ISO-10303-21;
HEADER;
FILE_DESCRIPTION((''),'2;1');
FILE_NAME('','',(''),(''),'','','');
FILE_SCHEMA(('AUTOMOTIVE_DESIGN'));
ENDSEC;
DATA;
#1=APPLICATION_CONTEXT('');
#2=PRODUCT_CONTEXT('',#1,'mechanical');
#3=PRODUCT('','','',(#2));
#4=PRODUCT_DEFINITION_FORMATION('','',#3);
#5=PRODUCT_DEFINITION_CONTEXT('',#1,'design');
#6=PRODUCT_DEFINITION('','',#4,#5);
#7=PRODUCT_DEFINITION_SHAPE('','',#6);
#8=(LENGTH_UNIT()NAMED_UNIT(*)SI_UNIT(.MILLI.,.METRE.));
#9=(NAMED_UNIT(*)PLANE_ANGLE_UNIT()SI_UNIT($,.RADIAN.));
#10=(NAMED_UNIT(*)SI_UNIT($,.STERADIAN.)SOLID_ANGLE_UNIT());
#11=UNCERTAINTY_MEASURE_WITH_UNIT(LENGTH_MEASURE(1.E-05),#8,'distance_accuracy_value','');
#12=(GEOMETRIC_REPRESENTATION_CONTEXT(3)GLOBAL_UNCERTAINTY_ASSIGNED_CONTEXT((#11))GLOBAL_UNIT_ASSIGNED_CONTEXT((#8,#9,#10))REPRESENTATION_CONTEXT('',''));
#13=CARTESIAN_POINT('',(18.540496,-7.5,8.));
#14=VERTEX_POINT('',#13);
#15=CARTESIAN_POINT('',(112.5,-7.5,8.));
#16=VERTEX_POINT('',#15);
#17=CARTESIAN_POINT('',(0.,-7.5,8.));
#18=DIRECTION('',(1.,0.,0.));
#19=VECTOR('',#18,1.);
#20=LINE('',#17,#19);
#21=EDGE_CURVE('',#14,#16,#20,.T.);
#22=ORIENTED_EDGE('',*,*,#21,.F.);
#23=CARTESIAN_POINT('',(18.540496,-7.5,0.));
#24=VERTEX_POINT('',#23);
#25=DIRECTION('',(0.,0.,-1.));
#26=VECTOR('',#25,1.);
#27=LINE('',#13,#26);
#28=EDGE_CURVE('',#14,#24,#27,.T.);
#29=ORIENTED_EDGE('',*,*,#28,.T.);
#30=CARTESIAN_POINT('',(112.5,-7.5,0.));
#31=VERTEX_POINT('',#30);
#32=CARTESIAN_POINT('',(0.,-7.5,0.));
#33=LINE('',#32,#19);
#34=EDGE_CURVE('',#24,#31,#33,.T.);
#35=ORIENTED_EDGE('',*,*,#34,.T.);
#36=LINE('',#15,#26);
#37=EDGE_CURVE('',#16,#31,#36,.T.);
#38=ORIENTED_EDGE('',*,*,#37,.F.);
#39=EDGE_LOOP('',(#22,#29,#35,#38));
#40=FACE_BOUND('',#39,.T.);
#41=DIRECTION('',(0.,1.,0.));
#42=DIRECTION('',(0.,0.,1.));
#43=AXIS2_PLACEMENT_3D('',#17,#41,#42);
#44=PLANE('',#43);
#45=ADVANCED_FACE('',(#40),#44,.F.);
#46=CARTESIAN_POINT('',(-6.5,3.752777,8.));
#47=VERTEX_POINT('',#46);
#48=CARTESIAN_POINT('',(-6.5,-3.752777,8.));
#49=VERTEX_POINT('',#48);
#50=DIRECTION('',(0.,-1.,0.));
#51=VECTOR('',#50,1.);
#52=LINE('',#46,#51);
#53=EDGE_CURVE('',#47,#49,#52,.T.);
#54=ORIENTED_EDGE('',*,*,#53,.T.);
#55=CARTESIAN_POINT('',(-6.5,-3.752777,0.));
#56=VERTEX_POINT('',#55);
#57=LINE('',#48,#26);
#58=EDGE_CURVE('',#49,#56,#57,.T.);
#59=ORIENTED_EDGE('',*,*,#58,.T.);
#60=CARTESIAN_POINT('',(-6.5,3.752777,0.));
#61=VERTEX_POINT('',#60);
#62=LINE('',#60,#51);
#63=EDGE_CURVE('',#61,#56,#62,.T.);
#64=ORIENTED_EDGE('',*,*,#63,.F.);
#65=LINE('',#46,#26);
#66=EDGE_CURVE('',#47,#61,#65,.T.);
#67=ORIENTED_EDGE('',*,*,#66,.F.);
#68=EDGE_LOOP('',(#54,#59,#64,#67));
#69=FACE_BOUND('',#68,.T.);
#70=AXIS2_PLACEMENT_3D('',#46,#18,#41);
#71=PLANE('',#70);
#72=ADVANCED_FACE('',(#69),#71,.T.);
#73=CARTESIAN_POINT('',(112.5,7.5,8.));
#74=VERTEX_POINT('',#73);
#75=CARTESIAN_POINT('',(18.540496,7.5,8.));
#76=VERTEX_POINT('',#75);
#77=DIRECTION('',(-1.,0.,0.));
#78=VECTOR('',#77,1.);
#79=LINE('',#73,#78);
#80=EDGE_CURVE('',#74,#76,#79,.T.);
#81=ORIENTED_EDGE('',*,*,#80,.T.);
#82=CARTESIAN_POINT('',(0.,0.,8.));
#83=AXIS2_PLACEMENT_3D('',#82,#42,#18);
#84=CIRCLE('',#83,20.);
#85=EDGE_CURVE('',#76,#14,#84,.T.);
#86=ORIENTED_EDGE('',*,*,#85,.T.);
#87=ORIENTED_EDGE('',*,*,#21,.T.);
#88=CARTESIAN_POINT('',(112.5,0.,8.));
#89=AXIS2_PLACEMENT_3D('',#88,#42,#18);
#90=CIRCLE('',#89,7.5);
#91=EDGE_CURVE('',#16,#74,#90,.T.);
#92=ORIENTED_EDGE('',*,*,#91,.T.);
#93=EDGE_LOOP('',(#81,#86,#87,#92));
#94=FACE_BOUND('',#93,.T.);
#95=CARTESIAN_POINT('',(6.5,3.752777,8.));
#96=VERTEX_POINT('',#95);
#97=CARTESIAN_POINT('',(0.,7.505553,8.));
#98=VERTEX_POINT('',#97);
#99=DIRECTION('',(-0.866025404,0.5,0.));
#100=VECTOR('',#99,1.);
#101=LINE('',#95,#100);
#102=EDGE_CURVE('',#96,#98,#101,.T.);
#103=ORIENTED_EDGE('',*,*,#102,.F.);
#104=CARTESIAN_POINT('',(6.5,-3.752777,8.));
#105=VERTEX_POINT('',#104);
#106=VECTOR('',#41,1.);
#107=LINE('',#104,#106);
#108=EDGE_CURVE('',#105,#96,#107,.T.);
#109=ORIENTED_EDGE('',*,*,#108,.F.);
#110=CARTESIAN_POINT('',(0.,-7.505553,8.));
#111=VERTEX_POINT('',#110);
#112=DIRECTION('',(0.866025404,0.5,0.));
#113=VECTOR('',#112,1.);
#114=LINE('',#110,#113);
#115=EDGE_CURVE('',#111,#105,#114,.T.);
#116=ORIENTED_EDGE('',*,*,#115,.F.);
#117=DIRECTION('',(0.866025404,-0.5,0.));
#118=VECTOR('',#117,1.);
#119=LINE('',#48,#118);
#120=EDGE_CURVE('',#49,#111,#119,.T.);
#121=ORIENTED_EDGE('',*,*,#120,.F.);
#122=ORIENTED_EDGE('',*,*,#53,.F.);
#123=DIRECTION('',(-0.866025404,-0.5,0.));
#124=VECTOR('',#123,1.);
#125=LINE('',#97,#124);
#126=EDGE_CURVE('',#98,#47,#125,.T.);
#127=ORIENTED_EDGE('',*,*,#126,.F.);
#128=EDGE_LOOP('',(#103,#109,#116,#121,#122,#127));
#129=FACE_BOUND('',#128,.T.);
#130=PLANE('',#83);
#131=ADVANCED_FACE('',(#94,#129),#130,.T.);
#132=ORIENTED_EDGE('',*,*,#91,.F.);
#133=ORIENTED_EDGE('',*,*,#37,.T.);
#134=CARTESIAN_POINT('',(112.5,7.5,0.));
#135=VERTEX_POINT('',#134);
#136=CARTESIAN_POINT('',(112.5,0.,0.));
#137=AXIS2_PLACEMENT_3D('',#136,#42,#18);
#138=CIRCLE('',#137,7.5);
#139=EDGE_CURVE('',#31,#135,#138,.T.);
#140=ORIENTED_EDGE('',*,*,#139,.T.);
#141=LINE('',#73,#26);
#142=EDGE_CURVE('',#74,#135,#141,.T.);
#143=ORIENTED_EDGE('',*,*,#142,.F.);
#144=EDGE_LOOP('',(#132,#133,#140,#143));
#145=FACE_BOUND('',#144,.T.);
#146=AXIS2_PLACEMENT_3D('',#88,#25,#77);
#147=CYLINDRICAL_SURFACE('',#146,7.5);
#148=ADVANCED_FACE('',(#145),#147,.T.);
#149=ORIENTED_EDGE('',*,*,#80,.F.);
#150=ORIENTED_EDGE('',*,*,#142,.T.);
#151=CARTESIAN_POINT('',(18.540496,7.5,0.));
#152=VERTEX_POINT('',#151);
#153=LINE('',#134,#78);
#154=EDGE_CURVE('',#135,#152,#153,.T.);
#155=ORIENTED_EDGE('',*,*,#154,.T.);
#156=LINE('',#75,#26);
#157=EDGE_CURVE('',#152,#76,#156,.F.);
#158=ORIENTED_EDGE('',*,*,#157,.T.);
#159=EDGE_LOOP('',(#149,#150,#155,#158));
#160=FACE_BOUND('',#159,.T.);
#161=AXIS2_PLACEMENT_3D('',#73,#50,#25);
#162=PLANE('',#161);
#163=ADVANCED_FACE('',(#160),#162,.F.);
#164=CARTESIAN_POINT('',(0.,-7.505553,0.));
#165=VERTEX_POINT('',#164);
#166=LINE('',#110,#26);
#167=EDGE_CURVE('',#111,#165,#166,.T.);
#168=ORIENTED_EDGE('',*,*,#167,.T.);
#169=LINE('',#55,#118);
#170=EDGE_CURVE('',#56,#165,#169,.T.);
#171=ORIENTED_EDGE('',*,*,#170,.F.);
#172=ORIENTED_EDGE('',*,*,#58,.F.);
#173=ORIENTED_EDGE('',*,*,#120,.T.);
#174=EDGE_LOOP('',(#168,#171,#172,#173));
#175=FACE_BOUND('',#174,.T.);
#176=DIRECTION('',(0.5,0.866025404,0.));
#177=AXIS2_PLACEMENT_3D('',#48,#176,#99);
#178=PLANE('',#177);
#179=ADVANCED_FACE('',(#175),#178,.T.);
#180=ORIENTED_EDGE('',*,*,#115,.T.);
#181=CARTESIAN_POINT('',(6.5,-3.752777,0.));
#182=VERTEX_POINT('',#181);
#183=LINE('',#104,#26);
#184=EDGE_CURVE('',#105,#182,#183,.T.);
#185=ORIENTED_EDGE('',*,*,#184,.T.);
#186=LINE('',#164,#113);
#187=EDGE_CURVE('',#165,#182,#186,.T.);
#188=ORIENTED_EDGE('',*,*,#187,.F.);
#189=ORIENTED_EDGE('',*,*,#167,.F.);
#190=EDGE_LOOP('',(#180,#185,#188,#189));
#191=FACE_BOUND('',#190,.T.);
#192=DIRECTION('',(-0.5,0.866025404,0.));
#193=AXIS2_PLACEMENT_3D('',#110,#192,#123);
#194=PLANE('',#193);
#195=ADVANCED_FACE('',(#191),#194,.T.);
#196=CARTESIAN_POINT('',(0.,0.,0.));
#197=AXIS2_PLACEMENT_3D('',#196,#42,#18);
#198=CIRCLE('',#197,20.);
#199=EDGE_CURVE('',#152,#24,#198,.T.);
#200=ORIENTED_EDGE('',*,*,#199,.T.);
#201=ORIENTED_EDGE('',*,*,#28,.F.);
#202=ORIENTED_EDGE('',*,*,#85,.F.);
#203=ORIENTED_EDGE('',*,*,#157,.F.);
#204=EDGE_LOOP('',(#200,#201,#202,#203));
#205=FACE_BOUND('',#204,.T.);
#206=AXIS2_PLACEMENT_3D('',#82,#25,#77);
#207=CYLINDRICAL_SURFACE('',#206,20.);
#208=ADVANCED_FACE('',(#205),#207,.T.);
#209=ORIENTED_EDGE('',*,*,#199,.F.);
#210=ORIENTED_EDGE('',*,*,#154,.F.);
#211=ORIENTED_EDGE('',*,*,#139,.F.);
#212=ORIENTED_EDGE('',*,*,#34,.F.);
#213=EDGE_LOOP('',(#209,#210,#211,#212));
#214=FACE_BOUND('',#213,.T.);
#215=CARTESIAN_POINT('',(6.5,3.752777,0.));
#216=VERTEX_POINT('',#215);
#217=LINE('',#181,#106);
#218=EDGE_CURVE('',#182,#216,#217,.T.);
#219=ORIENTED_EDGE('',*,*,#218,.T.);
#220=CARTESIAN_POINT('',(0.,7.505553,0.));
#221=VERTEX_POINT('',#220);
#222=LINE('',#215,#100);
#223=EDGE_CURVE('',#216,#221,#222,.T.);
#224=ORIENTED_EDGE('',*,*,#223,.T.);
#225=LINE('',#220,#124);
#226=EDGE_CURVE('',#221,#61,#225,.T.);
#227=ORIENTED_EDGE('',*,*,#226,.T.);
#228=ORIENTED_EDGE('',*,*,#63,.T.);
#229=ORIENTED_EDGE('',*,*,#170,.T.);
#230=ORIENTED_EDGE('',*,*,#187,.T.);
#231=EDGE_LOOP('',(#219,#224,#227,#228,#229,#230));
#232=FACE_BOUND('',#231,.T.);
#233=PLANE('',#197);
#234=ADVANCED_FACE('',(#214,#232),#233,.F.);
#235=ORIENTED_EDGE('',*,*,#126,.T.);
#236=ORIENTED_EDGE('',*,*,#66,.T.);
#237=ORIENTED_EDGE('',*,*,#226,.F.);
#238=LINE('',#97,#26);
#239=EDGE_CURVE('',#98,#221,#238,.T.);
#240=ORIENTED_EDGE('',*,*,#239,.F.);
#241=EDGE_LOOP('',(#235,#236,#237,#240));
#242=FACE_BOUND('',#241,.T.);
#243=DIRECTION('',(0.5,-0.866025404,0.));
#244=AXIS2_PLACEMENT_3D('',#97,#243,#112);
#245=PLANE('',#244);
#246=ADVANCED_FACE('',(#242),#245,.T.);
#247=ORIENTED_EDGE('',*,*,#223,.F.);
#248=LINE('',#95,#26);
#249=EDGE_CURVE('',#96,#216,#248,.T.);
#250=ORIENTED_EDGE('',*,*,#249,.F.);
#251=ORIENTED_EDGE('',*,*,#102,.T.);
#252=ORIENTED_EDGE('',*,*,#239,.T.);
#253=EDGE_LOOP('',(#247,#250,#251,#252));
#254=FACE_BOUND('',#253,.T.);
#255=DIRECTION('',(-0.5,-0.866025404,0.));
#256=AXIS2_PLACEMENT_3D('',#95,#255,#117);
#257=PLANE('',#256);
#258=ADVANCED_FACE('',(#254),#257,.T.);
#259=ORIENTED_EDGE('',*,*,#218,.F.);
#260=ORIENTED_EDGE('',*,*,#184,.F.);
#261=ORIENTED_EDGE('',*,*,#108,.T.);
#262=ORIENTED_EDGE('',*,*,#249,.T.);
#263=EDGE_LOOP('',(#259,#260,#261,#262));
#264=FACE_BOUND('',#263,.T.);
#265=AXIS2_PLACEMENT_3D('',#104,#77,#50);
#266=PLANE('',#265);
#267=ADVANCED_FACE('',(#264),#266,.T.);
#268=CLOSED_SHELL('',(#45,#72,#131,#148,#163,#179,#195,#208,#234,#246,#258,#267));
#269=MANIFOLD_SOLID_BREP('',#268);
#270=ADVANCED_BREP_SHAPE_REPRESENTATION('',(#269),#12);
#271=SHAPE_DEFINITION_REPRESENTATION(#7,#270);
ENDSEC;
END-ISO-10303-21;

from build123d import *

# Parameters (mm, degrees)
SKETCH_1_R          = 20
EXTRUDE_1_DEPTH     = 8
EXTRUDE_3_DEPTH     = 8
CUT_EXTRUDE_2_DEPTH = 122.918005233


with BuildPart() as part:
    # 草图1 → 凸台-拉伸1 (new body)
    with BuildSketch(Plane.XY):
        Circle(SKETCH_1_R)
    extrude(amount=EXTRUDE_1_DEPTH)

    # 草图4 → 凸台-拉伸3 (add)
    with BuildSketch(Plane.XY):
        with BuildLine():
            Line((0, -7.5), (112.5, -7.5))
            ThreePointArc((112.5, -7.5), (120, 0), (112.5, 7.5))
            Line((112.5, 7.5), (0, 7.5))
            ThreePointArc((0, 7.5), (-7.5, 0), (0, -7.5))
        make_face()
    extrude(amount=EXTRUDE_3_DEPTH)

    # 草图5 → 切除-拉伸2 (cut, through all)
    with BuildSketch(Plane.XY):
        Polygon((6.5, 3.75277675), (0, 7.505553499), (-6.5, 3.75277675), (-6.5, -3.75277675), (0, -7.505553499), (6.5, -3.75277675), align=None)
    extrude(amount=CUT_EXTRUDE_2_DEPTH, mode=Mode.SUBTRACT)


solid = part.part
